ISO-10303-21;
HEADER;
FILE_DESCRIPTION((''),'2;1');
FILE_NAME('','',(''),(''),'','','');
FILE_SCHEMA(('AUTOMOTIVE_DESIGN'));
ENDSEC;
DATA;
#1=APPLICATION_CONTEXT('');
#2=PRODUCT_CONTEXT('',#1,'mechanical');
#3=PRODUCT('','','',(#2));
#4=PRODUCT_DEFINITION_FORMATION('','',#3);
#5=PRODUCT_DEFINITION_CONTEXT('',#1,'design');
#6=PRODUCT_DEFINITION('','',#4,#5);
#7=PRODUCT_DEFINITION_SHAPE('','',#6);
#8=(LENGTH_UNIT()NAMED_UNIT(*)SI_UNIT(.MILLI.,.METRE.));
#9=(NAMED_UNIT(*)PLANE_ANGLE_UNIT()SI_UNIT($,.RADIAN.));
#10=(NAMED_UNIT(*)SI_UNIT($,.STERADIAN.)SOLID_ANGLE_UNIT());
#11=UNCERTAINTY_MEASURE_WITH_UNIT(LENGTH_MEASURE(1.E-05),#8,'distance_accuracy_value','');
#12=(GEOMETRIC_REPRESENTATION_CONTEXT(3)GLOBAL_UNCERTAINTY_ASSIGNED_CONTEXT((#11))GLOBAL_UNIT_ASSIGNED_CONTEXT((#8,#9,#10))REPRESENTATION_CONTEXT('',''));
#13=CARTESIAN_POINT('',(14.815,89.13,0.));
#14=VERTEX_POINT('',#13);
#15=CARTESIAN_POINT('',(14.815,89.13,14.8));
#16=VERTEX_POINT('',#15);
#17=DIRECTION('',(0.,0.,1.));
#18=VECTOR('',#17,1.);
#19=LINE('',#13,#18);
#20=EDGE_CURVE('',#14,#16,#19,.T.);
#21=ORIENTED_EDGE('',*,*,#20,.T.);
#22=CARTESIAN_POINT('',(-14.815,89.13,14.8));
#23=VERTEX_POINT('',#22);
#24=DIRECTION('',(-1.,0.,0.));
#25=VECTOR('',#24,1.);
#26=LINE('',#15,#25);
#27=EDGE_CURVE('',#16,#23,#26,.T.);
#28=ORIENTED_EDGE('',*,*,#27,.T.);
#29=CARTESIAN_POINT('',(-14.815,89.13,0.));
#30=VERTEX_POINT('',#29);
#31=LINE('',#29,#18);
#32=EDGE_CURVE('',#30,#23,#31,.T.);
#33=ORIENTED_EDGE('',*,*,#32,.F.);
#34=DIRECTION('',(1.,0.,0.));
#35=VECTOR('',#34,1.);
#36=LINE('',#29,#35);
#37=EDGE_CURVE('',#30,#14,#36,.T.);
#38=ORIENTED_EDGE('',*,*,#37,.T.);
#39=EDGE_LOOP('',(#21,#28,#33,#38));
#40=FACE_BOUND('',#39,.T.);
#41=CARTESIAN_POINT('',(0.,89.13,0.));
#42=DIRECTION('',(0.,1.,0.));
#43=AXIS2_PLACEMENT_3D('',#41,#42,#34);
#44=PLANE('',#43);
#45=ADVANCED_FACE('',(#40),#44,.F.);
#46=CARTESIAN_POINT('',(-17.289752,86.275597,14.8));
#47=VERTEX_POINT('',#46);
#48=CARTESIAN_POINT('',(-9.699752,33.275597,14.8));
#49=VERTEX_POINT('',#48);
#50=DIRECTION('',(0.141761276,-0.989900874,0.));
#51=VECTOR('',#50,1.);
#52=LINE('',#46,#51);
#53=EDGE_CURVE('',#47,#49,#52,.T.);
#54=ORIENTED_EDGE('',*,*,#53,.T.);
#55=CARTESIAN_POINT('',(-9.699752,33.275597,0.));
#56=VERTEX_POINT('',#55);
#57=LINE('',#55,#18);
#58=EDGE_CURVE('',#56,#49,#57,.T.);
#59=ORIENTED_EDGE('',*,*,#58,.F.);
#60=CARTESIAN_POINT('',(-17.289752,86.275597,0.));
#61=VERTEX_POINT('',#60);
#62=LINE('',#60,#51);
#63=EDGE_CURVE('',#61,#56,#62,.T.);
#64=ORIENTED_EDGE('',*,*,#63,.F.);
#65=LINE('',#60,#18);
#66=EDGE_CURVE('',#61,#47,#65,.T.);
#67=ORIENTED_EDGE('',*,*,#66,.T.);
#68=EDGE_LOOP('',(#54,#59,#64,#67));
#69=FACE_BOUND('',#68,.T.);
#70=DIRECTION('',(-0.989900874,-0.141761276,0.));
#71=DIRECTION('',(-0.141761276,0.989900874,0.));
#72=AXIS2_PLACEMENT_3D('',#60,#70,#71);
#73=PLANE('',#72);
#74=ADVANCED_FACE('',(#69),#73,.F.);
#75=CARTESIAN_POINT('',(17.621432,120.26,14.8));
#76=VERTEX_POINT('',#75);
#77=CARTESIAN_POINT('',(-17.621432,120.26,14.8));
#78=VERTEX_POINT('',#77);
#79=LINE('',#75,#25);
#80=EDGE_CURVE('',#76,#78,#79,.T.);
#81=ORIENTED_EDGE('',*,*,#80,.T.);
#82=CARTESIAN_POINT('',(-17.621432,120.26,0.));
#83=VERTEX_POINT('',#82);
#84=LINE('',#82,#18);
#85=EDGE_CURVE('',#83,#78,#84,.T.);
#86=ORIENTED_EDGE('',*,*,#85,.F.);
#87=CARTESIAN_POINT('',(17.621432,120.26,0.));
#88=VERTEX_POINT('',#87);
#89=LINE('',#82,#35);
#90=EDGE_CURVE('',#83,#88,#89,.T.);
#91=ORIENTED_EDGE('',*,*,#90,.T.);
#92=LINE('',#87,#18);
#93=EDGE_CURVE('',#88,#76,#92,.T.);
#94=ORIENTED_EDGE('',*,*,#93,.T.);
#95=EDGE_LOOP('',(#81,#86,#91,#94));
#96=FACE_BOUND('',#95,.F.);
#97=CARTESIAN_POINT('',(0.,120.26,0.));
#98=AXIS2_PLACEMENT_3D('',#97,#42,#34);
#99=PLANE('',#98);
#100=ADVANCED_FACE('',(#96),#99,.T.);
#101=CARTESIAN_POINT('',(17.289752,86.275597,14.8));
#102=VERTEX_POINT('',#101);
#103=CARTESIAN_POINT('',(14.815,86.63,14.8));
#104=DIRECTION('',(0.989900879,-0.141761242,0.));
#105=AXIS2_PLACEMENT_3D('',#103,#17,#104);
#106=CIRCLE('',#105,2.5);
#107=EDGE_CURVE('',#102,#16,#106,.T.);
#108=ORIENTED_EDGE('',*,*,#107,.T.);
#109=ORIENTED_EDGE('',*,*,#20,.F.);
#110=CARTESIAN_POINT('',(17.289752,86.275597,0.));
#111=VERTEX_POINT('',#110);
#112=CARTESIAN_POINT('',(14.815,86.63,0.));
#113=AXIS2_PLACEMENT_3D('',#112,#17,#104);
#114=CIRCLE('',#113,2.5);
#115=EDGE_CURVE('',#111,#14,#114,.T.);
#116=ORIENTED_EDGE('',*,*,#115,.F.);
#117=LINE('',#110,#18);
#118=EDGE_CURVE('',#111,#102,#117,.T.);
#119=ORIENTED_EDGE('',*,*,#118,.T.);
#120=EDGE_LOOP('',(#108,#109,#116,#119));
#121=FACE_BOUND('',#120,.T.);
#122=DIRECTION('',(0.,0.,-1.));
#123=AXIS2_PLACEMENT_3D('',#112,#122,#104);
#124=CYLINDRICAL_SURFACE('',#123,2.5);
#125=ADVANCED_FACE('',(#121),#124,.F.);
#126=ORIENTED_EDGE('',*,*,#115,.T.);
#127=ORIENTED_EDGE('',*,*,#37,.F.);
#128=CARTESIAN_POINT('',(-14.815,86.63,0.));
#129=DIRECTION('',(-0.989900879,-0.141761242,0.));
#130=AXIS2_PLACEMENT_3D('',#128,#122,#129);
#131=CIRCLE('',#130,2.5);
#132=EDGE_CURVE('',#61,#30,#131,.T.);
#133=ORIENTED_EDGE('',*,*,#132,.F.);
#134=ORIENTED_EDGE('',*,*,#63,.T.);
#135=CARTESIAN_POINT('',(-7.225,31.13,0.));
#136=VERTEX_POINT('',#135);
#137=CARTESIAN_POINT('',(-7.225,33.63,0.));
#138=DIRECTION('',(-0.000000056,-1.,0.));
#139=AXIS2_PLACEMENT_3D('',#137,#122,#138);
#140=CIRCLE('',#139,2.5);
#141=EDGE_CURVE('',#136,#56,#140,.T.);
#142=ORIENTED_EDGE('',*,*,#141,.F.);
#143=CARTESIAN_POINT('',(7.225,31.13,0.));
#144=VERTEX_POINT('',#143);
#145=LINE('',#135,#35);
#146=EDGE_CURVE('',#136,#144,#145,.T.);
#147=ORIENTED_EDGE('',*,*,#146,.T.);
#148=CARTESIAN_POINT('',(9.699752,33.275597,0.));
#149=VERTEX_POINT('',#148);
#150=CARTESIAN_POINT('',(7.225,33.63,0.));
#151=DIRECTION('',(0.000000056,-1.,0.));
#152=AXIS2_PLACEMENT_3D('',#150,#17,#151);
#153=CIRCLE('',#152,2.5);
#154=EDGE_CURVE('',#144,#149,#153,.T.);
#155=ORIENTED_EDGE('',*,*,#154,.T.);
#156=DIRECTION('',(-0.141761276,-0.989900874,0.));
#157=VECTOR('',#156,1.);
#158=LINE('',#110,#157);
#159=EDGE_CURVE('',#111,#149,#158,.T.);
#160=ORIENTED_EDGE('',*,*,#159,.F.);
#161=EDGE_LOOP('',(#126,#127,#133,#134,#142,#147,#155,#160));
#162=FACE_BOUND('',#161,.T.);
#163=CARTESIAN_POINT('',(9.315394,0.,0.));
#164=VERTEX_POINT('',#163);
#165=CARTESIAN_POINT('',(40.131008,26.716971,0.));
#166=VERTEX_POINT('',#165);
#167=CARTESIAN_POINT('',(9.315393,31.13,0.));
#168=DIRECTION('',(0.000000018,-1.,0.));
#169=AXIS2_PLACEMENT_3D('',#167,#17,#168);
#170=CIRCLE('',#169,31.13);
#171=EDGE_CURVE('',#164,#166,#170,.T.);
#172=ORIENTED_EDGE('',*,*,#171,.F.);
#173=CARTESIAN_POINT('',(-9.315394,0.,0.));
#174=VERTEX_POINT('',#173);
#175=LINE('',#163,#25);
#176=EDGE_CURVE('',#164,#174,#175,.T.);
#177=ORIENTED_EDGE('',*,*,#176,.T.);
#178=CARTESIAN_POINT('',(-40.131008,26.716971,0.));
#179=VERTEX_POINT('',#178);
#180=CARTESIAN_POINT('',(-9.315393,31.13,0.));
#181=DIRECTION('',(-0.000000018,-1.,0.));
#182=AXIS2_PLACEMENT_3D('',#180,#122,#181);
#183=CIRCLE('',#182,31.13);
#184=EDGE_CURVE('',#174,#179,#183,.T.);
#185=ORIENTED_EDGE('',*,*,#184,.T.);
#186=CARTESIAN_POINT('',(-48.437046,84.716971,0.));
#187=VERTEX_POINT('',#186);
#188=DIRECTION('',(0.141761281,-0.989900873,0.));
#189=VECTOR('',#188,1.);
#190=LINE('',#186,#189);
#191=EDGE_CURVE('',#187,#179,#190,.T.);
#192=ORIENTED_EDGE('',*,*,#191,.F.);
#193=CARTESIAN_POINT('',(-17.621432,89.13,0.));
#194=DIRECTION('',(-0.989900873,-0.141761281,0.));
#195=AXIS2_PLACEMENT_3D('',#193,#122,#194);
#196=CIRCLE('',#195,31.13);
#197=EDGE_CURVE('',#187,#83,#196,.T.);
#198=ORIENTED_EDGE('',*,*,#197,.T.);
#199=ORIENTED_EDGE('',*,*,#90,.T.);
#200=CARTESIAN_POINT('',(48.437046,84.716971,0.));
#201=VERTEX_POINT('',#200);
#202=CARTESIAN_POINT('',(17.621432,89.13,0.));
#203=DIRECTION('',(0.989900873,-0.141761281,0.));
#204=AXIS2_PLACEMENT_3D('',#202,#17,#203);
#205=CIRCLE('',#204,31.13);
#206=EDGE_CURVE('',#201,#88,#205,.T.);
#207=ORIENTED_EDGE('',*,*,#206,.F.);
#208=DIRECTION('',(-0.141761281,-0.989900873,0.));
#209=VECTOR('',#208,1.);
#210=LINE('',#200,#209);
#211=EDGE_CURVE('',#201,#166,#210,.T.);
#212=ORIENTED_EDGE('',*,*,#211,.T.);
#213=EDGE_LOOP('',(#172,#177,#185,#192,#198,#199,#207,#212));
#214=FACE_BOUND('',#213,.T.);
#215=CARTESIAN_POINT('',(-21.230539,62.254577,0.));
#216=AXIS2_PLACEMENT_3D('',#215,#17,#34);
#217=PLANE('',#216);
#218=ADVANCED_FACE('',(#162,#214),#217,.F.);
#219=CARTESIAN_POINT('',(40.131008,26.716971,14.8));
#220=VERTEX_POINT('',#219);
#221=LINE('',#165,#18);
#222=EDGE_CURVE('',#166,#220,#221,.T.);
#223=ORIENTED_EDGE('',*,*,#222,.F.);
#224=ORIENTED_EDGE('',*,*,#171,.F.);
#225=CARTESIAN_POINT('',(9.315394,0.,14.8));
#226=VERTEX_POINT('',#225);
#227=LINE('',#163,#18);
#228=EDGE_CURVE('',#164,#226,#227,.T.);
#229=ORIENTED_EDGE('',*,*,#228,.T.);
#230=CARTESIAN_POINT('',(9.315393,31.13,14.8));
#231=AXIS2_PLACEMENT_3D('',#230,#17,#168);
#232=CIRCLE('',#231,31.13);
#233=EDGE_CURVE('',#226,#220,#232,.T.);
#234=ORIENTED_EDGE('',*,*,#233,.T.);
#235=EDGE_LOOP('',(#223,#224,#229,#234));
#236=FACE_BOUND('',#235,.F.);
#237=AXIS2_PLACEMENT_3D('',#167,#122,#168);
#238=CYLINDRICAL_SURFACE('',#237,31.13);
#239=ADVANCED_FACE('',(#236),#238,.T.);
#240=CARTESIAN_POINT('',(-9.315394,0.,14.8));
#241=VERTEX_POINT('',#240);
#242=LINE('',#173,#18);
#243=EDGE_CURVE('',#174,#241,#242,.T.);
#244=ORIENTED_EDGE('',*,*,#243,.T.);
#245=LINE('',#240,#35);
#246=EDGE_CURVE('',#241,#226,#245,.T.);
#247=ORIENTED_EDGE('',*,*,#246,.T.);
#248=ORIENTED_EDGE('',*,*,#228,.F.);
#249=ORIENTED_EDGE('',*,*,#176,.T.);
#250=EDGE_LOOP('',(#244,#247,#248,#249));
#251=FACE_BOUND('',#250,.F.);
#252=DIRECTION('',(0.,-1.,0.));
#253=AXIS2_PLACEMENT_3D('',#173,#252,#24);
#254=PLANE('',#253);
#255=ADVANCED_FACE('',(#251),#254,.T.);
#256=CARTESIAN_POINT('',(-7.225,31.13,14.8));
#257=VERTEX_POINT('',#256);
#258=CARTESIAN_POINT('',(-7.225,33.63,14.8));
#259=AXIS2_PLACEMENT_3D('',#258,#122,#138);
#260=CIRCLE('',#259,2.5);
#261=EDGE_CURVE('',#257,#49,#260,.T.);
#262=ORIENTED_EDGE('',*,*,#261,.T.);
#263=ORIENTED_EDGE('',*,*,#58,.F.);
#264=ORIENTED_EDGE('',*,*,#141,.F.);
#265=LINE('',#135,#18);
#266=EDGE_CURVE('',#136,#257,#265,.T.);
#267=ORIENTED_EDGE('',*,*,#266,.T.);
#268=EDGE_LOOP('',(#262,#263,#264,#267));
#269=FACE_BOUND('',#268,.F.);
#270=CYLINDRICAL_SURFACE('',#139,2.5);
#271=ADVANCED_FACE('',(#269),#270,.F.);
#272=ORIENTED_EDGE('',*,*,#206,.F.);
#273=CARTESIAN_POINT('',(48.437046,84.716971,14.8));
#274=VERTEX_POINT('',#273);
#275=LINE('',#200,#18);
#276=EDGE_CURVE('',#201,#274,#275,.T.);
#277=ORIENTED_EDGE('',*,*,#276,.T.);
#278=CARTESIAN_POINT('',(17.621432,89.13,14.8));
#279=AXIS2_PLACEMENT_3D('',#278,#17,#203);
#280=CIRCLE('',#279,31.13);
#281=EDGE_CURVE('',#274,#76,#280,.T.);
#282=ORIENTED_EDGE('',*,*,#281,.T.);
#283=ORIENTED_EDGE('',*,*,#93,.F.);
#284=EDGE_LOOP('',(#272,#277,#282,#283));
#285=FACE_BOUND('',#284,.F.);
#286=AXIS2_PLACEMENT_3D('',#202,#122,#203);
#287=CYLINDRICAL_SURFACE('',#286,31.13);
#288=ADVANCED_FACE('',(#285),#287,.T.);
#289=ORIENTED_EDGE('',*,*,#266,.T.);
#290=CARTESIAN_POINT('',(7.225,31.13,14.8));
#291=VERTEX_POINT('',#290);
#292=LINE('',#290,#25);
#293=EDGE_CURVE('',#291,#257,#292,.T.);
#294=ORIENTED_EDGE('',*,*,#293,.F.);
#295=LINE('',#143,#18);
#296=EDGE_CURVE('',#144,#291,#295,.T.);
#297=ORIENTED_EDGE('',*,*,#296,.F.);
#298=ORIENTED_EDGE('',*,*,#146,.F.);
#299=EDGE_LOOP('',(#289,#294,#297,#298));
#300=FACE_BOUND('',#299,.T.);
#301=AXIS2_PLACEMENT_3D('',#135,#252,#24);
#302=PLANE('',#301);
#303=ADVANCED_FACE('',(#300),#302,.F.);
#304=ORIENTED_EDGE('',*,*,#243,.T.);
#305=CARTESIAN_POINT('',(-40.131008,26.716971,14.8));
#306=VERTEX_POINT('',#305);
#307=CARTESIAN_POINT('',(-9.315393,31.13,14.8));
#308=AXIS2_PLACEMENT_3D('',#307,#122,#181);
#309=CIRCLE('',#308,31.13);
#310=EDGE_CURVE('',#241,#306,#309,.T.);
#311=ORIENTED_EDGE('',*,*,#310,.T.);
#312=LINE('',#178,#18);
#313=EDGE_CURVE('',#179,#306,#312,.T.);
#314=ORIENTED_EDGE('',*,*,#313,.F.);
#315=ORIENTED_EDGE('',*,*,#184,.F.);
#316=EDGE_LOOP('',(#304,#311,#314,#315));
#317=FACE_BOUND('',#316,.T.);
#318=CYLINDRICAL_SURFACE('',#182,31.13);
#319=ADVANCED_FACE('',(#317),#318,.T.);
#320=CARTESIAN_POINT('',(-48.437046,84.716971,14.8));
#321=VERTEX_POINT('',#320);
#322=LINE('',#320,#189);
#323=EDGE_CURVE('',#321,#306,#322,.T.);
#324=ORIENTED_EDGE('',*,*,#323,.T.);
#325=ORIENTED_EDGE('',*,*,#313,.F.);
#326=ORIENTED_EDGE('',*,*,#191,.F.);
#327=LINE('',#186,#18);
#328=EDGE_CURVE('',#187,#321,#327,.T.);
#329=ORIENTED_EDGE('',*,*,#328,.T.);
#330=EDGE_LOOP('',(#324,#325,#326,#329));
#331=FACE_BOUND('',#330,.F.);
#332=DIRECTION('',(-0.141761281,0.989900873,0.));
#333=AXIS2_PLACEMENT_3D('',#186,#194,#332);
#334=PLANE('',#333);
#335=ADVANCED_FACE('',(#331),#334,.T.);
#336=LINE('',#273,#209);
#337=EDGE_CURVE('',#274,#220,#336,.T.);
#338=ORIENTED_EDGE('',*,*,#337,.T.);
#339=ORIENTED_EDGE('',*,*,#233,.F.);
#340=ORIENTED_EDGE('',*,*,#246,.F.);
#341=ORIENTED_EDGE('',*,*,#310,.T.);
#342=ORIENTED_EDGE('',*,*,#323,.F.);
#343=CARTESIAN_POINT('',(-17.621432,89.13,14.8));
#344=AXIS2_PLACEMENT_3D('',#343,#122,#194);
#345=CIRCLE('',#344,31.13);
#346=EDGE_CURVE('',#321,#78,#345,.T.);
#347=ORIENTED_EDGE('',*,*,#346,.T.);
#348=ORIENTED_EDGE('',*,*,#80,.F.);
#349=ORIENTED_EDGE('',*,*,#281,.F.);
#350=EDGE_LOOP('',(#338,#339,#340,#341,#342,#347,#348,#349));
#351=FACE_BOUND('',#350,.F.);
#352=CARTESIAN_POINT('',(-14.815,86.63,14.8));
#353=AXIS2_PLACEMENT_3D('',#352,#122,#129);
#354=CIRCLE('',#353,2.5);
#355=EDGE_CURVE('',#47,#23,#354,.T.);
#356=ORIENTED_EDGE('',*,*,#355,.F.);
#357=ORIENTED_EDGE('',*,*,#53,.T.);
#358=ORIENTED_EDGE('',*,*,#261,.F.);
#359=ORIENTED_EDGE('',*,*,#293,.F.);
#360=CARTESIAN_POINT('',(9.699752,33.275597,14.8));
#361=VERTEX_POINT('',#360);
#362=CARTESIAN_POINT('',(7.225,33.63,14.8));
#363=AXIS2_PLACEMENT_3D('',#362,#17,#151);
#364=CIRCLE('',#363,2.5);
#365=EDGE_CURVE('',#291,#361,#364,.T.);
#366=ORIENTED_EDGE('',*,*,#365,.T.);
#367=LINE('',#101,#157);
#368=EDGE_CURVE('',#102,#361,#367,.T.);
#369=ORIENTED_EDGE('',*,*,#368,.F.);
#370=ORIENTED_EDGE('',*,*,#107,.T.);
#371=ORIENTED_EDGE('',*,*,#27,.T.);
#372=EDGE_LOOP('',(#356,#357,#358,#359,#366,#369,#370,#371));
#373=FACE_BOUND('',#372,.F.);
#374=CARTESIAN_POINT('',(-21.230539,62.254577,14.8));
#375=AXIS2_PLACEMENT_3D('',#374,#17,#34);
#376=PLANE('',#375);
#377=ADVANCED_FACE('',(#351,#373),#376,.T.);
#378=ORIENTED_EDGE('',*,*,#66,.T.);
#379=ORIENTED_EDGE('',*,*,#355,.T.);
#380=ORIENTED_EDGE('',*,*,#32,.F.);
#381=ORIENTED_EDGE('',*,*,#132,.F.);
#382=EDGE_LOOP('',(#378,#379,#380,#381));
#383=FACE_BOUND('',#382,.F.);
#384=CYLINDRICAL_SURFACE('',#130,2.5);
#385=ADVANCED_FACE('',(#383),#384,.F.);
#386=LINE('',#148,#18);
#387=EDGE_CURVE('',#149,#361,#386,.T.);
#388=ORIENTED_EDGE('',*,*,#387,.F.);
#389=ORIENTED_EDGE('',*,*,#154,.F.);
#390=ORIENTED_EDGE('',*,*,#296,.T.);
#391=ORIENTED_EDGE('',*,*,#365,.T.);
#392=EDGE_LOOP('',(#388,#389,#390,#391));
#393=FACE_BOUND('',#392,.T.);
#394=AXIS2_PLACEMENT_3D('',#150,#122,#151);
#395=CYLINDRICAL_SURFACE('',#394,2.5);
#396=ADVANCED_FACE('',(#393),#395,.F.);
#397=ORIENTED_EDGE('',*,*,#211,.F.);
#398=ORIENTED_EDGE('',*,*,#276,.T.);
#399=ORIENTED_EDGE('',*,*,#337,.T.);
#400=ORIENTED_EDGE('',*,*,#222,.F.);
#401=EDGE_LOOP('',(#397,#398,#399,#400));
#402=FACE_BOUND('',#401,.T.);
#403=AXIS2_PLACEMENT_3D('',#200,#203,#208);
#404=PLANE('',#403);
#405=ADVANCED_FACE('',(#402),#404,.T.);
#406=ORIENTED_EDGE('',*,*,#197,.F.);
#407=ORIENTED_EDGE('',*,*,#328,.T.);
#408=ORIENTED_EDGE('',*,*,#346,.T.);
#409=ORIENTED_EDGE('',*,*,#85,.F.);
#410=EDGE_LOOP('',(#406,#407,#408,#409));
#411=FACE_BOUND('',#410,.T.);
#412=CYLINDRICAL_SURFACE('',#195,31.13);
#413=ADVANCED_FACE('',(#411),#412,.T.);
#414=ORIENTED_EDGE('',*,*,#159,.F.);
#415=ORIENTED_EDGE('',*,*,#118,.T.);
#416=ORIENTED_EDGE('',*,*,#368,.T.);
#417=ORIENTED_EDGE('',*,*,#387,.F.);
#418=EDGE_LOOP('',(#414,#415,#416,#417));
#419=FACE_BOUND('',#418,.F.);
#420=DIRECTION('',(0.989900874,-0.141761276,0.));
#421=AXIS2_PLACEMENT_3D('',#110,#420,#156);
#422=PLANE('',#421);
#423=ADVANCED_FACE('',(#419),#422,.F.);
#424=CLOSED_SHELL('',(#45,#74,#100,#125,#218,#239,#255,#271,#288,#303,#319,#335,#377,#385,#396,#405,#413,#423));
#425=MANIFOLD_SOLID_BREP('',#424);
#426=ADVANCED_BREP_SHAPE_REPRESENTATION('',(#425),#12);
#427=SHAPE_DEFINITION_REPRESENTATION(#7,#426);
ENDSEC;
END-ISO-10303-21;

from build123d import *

# Parameters (mm, degrees)
PAD_DEPTH = 14.8


with BuildPart() as part:
    # Sketch → Pad (new body)
    with BuildSketch(Plane.XY):
        with BuildLine():
            Line((0, 89.13), (14.815, 89.13))
            ThreePointArc((17.289752, 86.275597), (16.703916, 88.26768), (14.815, 89.13))
            Line((17.289752, 86.275597), (9.699752, 33.275597))
            ThreePointArc((7.225, 31.13), (8.86268, 31.741084), (9.699752, 33.275597))
            Line((7.225, 31.13), (0, 31.13))
            Line((0, 31.13), (0, 0))
            Line((9.315394, 0), (0, 0))
            ThreePointArc((9.315394, 0), (29.707786, 7.609217), (40.131008, 26.716971))
            Line((48.437046, 84.716971), (40.131008, 26.716971))
            ThreePointArc((48.437046, 84.716971), (41.142215, 109.522392), (17.621432, 120.26))
            Line((0, 120.26), (17.621432, 120.26))
            Line((0, 120.26), (0, 89.13))
        make_face()
    pad = extrude(amount=PAD_DEPTH)

    # Mirrored: Pad across Sketch V_Axis
    add(pad.mirror(Plane(origin=(0, 0, 0), x_dir=(0, 0, 1), z_dir=(1, 0, 0))))


solid = part.part
